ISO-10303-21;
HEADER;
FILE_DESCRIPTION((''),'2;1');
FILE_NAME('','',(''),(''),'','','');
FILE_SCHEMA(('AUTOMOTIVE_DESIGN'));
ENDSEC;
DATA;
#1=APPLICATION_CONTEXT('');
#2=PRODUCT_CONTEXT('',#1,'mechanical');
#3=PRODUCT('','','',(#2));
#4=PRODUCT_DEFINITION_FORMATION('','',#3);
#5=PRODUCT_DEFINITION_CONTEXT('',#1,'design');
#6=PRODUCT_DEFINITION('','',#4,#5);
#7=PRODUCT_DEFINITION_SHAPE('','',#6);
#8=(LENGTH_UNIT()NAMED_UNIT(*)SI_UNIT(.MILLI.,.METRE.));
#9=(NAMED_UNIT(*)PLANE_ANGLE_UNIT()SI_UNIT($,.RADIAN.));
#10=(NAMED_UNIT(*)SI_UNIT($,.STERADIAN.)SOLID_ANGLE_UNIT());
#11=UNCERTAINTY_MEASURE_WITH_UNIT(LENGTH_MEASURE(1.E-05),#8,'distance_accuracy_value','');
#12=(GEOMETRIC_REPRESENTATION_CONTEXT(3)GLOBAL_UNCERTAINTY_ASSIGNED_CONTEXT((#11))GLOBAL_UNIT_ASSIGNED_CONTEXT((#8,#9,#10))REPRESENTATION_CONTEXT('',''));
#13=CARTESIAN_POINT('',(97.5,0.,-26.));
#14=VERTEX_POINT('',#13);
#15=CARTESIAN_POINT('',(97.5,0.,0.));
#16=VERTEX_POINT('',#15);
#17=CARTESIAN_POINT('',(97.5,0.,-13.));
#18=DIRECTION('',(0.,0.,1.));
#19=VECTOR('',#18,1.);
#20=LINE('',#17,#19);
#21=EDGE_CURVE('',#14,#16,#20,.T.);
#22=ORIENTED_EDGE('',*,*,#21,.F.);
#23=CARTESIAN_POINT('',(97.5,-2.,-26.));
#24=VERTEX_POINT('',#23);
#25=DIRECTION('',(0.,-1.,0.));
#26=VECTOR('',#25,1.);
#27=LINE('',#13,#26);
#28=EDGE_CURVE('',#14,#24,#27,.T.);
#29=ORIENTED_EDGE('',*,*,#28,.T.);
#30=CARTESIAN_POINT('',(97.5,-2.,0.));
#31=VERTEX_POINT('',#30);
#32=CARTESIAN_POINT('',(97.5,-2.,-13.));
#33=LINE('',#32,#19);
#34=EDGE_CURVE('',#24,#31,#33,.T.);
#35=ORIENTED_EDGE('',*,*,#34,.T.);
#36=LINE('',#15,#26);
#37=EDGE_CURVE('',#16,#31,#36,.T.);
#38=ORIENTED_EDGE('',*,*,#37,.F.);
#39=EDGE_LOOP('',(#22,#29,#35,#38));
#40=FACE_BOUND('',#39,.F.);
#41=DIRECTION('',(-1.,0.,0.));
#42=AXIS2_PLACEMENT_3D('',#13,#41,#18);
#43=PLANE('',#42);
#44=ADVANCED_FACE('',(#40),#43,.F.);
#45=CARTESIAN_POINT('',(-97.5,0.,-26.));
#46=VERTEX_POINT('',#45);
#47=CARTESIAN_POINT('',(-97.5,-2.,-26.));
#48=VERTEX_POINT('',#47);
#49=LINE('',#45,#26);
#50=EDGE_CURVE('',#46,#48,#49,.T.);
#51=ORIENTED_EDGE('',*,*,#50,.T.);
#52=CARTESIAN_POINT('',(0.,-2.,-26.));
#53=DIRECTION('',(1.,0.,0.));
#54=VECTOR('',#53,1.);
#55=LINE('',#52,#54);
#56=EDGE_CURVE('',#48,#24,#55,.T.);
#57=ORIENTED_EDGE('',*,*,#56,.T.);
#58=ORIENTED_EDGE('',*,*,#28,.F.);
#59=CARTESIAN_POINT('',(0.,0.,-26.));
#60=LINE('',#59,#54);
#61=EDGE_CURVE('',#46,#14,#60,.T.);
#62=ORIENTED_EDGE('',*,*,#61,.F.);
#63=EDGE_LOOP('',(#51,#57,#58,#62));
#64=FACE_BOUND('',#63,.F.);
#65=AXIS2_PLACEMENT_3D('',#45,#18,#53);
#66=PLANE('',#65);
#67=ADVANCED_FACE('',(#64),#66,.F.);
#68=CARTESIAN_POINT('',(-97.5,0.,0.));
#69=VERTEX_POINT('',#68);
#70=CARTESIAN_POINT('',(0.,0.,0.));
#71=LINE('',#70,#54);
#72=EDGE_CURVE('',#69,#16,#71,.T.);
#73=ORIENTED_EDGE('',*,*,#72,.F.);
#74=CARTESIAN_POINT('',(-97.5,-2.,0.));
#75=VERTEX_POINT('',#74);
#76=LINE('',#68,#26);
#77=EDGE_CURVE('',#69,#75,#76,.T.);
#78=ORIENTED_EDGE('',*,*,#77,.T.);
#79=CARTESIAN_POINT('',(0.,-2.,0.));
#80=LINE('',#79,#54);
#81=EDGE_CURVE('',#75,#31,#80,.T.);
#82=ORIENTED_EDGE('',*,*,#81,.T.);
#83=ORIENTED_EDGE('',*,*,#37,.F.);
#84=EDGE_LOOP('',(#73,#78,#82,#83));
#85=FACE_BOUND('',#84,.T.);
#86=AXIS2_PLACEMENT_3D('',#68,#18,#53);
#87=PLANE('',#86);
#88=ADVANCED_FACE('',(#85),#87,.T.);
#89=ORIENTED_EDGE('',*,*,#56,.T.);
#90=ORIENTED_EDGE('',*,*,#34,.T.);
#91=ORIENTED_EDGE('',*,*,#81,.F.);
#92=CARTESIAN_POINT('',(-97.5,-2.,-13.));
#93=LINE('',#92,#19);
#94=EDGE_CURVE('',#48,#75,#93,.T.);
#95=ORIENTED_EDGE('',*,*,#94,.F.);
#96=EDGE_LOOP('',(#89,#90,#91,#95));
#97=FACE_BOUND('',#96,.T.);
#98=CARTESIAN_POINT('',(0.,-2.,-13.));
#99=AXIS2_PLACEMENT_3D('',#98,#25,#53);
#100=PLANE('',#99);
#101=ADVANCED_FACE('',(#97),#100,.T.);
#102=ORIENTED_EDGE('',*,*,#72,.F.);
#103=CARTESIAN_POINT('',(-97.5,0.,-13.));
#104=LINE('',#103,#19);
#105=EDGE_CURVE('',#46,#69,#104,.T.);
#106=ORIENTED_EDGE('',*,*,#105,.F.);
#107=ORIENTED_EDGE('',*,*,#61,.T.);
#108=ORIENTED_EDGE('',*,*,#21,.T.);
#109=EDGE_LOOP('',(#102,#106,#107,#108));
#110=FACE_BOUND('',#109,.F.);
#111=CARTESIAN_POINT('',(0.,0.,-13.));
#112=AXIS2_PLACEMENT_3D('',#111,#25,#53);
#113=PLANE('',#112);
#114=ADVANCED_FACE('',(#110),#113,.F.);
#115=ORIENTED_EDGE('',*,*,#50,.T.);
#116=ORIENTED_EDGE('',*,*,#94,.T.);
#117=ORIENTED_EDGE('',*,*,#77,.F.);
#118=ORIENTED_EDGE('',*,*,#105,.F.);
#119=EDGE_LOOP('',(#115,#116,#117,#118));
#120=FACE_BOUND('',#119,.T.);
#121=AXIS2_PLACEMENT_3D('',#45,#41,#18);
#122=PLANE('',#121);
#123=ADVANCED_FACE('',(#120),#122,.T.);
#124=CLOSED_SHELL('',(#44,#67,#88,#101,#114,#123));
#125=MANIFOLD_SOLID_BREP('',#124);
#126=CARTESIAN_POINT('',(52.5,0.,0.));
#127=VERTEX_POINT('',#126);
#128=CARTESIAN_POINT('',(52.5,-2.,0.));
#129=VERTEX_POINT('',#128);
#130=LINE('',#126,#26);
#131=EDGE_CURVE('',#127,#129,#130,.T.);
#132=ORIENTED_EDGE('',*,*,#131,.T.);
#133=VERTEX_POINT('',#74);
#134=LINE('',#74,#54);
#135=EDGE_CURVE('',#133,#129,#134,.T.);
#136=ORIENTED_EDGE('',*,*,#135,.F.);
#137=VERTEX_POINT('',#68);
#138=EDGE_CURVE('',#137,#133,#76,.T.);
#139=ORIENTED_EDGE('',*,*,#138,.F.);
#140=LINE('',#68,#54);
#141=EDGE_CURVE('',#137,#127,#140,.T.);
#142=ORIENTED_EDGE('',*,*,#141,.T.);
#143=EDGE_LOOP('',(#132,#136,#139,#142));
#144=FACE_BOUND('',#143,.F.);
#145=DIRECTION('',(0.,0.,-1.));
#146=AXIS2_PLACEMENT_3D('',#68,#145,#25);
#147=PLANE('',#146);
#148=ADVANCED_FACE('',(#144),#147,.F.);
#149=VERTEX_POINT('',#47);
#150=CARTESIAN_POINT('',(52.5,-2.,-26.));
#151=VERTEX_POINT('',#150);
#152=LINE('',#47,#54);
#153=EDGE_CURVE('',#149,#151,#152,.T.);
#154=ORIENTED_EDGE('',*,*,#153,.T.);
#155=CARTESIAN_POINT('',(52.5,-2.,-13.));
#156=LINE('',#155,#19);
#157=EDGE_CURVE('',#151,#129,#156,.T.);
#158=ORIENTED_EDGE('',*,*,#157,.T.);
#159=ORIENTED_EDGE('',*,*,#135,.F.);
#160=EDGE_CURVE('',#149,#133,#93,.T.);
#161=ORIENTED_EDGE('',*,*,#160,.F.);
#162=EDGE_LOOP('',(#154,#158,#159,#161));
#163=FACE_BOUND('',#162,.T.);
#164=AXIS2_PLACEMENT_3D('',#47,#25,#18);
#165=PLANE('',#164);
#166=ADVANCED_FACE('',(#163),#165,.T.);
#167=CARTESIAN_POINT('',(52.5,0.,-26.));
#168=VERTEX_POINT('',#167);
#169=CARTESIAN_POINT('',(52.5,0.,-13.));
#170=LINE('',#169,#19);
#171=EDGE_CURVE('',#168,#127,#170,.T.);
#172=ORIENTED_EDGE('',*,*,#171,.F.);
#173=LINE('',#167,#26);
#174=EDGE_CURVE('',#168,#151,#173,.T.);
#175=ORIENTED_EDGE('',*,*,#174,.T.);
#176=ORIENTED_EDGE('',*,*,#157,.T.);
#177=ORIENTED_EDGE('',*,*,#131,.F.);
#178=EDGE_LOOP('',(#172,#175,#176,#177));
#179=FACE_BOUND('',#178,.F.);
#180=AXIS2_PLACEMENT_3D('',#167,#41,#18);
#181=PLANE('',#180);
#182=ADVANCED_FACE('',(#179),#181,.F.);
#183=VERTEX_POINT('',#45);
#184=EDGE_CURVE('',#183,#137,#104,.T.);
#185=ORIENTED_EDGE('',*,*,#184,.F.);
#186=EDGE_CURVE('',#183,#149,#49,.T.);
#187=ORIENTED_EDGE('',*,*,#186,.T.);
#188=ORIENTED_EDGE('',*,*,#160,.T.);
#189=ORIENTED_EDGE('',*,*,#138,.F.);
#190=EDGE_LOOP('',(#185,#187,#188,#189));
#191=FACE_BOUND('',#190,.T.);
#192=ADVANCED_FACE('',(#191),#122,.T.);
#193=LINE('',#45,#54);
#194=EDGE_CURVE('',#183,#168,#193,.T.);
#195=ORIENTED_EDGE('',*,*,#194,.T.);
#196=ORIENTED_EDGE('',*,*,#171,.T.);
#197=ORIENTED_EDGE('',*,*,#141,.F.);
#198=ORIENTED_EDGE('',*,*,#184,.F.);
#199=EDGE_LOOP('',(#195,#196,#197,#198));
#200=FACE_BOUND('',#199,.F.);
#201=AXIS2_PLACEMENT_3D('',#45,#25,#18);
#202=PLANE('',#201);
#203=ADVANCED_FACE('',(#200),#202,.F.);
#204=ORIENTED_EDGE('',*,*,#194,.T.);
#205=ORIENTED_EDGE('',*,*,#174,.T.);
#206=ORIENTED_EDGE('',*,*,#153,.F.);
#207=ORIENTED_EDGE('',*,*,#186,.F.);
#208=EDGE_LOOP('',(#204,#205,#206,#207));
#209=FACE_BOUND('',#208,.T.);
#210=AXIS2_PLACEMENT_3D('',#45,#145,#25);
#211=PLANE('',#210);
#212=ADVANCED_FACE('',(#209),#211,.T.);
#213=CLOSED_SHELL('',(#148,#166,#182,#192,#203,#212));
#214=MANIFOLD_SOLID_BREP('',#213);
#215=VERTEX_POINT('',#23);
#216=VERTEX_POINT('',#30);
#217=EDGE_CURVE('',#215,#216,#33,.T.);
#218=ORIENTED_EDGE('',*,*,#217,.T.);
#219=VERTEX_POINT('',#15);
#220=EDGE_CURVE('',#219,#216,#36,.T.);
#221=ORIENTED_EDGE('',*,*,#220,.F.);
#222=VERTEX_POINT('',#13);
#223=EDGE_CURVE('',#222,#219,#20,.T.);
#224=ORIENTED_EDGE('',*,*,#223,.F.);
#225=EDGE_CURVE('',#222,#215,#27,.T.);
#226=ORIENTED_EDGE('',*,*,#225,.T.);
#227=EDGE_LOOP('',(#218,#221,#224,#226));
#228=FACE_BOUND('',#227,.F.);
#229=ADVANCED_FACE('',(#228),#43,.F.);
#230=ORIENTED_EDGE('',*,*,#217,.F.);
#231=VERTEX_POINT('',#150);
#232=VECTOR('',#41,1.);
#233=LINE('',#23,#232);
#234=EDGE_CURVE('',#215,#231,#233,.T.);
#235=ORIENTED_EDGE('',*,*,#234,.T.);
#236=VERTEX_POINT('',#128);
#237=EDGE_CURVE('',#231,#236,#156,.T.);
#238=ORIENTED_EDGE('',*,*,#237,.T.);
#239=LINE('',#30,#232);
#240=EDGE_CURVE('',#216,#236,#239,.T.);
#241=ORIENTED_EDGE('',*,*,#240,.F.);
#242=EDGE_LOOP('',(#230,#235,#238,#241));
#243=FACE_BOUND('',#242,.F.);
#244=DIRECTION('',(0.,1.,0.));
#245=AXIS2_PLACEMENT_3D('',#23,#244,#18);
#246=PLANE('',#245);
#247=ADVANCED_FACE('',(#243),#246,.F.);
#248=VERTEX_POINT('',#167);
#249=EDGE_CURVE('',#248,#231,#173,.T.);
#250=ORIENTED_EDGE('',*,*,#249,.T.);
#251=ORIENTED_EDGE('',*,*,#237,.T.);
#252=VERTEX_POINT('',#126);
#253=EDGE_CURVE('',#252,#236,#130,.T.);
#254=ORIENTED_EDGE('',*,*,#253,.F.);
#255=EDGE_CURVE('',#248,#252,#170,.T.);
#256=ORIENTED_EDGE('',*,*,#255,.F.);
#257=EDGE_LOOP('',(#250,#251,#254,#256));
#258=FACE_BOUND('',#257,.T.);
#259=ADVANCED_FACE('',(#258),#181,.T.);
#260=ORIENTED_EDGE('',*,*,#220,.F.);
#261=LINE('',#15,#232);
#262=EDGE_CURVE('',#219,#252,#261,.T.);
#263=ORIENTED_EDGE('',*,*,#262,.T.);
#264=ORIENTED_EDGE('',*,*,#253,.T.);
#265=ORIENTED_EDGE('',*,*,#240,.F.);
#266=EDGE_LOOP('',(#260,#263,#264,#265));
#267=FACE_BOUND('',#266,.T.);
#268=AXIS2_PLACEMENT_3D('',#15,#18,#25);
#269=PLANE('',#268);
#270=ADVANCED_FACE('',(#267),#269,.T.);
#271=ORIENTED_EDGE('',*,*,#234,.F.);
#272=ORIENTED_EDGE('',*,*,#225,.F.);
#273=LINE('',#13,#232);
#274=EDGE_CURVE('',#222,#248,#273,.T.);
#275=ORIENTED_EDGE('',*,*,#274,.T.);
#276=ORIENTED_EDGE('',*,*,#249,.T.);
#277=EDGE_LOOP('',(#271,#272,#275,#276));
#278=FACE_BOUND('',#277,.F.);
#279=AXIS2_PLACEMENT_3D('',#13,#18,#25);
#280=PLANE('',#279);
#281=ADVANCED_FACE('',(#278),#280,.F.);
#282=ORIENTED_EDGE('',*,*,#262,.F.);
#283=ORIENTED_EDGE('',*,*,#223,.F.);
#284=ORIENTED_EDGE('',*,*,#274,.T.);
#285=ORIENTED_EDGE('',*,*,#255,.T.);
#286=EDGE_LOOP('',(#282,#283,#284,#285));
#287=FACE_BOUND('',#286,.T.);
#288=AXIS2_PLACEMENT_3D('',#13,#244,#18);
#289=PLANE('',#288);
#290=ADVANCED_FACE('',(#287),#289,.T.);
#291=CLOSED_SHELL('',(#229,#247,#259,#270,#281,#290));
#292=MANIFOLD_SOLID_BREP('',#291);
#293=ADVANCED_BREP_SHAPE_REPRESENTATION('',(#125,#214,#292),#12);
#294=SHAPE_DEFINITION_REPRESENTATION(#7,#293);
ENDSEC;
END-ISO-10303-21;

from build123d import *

# Parameters (mm, degrees)
F0_W     = 195
F0_H     = 26
F1_DEPTH = 2
F2_DEPTH = 150
F3_DEPTH = 45


with BuildPart() as f1:
    # F0 (on Front) → F1 (new body)
    with BuildSketch(Plane.XZ):
        with Locations((0, -13)):
            Rectangle(F0_W, F0_H)
    extrude(amount=F1_DEPTH)


with BuildPart() as f2:
    # F2 (new): a face of the model
    f2_faces = [f1.part.faces().sort_by_distance(p)[0] for p in [
        (-97.5, -1, -13),
    ]]
    extrude(f2_faces, amount=-F2_DEPTH)


with BuildPart() as f3:
    # F3 (new, through all): a face of the model
    f3_faces = [f1.part.faces().sort_by_distance(p)[0] for p in [
        (97.5, -1, -13),
    ]]
    extrude(f3_faces, amount=-F3_DEPTH)


solid = Compound([f1.part, f2.part, f3.part])
